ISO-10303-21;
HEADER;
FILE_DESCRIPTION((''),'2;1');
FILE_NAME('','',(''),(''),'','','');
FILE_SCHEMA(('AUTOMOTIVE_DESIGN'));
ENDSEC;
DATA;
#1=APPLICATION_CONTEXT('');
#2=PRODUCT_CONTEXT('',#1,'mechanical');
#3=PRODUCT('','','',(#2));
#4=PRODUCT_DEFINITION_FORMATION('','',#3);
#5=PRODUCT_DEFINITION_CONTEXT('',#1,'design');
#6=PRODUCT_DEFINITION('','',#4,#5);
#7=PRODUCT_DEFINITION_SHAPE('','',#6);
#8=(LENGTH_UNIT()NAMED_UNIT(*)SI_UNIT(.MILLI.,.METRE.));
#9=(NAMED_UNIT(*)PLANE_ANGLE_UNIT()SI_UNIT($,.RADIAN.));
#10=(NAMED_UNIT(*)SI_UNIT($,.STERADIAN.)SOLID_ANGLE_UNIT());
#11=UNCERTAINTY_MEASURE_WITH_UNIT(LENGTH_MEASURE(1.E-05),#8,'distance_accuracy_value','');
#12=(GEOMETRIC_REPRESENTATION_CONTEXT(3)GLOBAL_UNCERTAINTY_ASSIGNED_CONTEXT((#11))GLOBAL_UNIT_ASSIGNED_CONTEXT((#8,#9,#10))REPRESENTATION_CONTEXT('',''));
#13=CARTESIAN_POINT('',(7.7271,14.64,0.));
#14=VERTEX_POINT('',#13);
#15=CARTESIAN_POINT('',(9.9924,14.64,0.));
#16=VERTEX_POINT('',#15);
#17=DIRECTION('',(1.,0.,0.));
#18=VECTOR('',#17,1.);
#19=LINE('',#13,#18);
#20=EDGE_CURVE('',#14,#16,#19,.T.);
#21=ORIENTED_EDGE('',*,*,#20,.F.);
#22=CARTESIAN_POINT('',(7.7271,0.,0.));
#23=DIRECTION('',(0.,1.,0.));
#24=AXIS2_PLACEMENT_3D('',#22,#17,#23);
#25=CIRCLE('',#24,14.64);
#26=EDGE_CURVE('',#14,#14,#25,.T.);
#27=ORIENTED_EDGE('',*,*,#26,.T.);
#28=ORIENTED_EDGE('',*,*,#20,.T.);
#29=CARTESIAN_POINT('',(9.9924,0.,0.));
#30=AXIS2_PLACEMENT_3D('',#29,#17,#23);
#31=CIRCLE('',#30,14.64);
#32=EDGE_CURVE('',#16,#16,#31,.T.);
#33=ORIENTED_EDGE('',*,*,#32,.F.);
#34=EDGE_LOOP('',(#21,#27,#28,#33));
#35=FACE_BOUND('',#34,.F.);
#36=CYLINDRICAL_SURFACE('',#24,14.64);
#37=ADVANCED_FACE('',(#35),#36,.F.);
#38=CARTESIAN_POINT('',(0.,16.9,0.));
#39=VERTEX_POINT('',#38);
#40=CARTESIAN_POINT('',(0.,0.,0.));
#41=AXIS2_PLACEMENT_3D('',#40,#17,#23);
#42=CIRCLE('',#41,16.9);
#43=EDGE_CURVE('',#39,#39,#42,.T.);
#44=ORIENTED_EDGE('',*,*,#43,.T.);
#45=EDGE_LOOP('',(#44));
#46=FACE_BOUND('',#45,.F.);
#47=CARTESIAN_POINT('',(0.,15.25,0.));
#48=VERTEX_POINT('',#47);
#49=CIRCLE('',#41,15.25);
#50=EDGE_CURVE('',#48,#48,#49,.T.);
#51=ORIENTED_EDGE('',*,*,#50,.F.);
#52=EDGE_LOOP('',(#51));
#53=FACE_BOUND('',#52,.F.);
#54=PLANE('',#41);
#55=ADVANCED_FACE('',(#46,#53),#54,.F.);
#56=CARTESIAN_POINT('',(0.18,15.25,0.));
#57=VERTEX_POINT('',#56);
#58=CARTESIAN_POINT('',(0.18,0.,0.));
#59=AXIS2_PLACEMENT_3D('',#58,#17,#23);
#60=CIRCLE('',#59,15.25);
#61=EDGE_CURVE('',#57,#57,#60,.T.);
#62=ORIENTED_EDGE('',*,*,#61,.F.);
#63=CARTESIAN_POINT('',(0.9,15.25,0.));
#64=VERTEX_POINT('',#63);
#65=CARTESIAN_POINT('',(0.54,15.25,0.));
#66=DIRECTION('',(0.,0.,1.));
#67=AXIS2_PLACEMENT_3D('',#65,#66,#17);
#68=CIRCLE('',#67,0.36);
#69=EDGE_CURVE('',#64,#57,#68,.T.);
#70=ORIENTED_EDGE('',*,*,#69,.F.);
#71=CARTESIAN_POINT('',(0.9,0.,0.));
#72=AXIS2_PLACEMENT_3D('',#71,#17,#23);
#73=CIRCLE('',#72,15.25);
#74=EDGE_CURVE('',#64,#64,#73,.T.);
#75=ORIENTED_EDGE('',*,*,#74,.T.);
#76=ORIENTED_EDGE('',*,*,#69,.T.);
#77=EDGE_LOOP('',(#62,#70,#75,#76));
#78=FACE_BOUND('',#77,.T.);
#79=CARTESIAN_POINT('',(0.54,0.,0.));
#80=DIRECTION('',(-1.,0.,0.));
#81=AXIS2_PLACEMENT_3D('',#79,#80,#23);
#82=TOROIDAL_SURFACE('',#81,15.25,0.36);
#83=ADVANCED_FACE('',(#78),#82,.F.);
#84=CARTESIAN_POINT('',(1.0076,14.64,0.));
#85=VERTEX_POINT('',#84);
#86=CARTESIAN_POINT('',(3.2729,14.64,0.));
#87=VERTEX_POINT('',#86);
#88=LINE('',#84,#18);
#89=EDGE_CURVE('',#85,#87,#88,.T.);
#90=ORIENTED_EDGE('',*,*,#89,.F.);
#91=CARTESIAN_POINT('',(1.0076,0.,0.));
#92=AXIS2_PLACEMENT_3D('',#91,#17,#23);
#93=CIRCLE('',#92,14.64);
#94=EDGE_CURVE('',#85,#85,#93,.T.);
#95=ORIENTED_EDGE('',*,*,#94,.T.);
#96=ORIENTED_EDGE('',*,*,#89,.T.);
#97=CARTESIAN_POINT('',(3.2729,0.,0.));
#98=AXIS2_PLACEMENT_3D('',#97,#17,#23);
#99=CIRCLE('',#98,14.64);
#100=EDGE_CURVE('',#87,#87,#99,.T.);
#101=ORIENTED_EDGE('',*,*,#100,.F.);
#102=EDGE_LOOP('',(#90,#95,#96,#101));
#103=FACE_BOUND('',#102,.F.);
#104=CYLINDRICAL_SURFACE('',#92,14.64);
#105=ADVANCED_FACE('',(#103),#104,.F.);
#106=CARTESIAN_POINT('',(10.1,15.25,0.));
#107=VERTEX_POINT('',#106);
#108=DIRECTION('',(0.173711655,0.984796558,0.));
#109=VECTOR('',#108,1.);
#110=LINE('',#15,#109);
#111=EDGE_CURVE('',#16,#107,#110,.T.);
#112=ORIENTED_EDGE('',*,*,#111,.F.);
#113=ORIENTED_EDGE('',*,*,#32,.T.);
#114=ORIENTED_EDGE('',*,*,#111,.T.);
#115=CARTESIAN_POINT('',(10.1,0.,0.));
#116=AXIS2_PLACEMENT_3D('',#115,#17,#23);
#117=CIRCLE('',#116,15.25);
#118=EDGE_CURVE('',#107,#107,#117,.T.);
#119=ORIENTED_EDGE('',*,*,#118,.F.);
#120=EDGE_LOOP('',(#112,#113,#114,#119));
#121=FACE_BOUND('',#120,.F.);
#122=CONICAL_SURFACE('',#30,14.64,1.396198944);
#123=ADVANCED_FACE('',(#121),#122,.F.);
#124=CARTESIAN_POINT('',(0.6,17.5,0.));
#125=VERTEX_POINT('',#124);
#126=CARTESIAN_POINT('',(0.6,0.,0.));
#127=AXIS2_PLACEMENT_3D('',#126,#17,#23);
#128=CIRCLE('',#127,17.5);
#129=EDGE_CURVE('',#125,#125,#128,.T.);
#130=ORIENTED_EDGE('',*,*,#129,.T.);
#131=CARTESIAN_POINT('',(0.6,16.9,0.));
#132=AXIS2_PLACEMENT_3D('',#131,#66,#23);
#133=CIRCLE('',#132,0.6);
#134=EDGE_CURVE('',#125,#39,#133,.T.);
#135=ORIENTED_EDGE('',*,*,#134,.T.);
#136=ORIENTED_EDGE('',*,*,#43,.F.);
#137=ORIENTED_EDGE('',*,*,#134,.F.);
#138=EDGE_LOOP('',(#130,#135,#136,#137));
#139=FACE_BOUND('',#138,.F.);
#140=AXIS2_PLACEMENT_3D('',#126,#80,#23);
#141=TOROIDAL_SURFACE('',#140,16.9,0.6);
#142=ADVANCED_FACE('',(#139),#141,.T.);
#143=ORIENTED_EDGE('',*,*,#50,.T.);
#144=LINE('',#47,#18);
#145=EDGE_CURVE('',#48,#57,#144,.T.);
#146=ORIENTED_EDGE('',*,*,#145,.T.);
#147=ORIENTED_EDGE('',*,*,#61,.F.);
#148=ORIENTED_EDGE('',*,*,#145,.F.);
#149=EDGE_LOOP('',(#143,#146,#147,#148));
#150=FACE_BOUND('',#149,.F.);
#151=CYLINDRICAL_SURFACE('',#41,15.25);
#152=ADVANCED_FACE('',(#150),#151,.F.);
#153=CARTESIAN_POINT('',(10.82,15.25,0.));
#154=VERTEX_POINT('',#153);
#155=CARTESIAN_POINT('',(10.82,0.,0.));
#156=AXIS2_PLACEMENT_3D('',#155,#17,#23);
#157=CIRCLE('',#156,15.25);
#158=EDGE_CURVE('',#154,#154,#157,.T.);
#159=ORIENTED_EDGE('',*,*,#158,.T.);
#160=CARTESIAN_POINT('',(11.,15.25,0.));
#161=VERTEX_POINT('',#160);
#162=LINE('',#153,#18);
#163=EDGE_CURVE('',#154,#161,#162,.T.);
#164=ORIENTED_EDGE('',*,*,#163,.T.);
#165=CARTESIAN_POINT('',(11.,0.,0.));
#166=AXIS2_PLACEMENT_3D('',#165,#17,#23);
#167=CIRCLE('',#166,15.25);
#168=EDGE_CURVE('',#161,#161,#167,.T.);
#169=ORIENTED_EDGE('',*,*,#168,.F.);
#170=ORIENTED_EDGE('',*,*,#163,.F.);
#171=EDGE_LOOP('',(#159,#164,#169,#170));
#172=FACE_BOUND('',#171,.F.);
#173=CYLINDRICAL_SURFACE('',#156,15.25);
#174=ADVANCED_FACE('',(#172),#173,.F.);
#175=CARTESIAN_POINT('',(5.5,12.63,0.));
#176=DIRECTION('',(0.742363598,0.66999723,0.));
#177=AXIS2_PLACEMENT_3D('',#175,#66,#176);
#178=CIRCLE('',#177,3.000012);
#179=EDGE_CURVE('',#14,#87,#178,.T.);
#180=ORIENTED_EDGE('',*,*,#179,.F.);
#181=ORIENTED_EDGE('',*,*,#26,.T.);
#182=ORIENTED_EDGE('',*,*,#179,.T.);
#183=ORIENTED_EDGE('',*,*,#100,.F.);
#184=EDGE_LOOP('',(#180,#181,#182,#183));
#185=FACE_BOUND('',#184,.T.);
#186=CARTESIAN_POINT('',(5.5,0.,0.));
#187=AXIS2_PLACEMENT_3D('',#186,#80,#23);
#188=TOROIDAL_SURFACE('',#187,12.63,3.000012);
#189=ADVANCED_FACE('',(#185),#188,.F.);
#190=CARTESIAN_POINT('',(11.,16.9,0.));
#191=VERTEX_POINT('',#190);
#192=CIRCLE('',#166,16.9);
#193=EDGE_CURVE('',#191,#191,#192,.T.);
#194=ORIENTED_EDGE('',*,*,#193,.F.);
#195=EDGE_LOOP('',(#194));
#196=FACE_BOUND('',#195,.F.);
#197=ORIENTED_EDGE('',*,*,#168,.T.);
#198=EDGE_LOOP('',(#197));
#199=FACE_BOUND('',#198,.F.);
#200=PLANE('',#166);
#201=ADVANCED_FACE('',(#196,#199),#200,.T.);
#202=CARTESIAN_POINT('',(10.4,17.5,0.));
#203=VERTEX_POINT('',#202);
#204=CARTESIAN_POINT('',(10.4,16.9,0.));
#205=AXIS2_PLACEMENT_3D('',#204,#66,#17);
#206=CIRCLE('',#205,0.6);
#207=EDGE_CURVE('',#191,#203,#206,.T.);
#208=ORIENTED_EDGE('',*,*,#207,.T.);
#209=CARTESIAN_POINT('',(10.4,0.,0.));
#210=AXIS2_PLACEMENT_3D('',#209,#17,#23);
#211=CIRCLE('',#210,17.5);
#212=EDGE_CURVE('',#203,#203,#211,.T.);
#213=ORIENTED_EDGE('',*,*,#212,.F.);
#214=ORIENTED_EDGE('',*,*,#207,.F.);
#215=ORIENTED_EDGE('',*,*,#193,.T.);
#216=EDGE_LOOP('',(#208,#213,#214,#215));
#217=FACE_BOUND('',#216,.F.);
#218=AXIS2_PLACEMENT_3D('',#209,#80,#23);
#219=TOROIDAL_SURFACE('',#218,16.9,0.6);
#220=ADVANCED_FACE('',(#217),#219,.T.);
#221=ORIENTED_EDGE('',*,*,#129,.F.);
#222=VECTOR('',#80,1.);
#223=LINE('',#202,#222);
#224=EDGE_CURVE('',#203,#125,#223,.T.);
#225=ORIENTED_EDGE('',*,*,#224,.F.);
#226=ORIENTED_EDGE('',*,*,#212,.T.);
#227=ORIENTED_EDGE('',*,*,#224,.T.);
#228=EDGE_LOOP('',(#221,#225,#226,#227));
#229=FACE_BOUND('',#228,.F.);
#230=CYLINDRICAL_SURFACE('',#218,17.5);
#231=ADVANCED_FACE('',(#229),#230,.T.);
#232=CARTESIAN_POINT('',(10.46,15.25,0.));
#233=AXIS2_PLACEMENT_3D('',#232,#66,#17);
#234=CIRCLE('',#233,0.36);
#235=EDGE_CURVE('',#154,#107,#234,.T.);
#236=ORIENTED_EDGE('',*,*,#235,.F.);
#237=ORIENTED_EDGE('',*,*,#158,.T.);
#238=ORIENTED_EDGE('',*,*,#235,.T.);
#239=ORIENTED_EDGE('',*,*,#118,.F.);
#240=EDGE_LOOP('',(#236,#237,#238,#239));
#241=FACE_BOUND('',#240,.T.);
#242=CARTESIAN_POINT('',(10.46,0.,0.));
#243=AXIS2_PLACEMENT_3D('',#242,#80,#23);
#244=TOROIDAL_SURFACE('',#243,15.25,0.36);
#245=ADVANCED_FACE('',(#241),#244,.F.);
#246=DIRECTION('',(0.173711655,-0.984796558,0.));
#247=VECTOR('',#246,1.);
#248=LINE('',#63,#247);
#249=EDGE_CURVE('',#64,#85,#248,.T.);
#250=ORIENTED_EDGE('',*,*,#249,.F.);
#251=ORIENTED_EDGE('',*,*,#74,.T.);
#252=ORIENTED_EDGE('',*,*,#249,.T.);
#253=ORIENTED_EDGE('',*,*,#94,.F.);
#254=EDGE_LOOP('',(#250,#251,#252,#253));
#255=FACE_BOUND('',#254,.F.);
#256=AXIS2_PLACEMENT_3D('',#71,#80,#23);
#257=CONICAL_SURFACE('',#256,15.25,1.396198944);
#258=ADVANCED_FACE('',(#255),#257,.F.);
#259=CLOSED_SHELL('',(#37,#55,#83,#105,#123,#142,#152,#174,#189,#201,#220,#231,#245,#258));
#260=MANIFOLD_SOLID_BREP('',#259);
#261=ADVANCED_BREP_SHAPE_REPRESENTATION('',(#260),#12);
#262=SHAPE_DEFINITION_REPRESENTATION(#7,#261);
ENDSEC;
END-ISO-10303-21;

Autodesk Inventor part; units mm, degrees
ref_plane "YZ Plane" through (0, 0, 0) normal (1, 0, 0) x (0, 1, 0)
ref_plane "XZ Plane" through (0, 0, 0) normal (0, 1, 0) x (-1, 0, 0)
ref_plane "XY Plane" through (0, 0, 0) normal (0, 0, 1) x (1, 0, 0)
sketch "Sketch_22" plane through (0, 0, 0) normal (0, 0, 1) x (1, 0, 0)
  line L0 (50, 0) -> (-50, 0)
  line L1 (0, 15.25) -> (0.18, 15.25)
  arc A0 (0.9, 15.25) -> (0.18, 15.25) centre (0.54, 15.25) ccw
  line L2 (0.9, 15.25) -> (1.0076, 14.64)
  line L3 (1.0076, 14.64) -> (3.2729, 14.64)
  arc A1 (7.7271, 14.64) -> (3.2729, 14.64) centre (5.5, 12.63) ccw
  line L4 (7.7271, 14.64) -> (9.9924, 14.64)
  line L5 (9.9924, 14.64) -> (10.1, 15.25)
  arc A2 (10.82, 15.25) -> (10.1, 15.25) centre (10.46, 15.25) ccw
  line L6 (10.82, 15.25) -> (11, 15.25)
  line L7 (11, 15.25) -> (11, 16.9)
  arc A3 (11, 16.9) -> (10.4, 17.5) centre (10.4, 16.9) ccw
  line L8 (10.4, 17.5) -> (0.6, 17.5)
  arc A4 (0.6, 17.5) -> (0, 16.9) centre (0.6, 16.9) ccw
  line L9 (0, 16.9) -> (0, 15.25)
revolve "Revolution1" add sketch "Sketch_22" angle 360 about axis through (50, 0, 0) along (1, 0, 0)
properties part number "6202-Z_PART2"
